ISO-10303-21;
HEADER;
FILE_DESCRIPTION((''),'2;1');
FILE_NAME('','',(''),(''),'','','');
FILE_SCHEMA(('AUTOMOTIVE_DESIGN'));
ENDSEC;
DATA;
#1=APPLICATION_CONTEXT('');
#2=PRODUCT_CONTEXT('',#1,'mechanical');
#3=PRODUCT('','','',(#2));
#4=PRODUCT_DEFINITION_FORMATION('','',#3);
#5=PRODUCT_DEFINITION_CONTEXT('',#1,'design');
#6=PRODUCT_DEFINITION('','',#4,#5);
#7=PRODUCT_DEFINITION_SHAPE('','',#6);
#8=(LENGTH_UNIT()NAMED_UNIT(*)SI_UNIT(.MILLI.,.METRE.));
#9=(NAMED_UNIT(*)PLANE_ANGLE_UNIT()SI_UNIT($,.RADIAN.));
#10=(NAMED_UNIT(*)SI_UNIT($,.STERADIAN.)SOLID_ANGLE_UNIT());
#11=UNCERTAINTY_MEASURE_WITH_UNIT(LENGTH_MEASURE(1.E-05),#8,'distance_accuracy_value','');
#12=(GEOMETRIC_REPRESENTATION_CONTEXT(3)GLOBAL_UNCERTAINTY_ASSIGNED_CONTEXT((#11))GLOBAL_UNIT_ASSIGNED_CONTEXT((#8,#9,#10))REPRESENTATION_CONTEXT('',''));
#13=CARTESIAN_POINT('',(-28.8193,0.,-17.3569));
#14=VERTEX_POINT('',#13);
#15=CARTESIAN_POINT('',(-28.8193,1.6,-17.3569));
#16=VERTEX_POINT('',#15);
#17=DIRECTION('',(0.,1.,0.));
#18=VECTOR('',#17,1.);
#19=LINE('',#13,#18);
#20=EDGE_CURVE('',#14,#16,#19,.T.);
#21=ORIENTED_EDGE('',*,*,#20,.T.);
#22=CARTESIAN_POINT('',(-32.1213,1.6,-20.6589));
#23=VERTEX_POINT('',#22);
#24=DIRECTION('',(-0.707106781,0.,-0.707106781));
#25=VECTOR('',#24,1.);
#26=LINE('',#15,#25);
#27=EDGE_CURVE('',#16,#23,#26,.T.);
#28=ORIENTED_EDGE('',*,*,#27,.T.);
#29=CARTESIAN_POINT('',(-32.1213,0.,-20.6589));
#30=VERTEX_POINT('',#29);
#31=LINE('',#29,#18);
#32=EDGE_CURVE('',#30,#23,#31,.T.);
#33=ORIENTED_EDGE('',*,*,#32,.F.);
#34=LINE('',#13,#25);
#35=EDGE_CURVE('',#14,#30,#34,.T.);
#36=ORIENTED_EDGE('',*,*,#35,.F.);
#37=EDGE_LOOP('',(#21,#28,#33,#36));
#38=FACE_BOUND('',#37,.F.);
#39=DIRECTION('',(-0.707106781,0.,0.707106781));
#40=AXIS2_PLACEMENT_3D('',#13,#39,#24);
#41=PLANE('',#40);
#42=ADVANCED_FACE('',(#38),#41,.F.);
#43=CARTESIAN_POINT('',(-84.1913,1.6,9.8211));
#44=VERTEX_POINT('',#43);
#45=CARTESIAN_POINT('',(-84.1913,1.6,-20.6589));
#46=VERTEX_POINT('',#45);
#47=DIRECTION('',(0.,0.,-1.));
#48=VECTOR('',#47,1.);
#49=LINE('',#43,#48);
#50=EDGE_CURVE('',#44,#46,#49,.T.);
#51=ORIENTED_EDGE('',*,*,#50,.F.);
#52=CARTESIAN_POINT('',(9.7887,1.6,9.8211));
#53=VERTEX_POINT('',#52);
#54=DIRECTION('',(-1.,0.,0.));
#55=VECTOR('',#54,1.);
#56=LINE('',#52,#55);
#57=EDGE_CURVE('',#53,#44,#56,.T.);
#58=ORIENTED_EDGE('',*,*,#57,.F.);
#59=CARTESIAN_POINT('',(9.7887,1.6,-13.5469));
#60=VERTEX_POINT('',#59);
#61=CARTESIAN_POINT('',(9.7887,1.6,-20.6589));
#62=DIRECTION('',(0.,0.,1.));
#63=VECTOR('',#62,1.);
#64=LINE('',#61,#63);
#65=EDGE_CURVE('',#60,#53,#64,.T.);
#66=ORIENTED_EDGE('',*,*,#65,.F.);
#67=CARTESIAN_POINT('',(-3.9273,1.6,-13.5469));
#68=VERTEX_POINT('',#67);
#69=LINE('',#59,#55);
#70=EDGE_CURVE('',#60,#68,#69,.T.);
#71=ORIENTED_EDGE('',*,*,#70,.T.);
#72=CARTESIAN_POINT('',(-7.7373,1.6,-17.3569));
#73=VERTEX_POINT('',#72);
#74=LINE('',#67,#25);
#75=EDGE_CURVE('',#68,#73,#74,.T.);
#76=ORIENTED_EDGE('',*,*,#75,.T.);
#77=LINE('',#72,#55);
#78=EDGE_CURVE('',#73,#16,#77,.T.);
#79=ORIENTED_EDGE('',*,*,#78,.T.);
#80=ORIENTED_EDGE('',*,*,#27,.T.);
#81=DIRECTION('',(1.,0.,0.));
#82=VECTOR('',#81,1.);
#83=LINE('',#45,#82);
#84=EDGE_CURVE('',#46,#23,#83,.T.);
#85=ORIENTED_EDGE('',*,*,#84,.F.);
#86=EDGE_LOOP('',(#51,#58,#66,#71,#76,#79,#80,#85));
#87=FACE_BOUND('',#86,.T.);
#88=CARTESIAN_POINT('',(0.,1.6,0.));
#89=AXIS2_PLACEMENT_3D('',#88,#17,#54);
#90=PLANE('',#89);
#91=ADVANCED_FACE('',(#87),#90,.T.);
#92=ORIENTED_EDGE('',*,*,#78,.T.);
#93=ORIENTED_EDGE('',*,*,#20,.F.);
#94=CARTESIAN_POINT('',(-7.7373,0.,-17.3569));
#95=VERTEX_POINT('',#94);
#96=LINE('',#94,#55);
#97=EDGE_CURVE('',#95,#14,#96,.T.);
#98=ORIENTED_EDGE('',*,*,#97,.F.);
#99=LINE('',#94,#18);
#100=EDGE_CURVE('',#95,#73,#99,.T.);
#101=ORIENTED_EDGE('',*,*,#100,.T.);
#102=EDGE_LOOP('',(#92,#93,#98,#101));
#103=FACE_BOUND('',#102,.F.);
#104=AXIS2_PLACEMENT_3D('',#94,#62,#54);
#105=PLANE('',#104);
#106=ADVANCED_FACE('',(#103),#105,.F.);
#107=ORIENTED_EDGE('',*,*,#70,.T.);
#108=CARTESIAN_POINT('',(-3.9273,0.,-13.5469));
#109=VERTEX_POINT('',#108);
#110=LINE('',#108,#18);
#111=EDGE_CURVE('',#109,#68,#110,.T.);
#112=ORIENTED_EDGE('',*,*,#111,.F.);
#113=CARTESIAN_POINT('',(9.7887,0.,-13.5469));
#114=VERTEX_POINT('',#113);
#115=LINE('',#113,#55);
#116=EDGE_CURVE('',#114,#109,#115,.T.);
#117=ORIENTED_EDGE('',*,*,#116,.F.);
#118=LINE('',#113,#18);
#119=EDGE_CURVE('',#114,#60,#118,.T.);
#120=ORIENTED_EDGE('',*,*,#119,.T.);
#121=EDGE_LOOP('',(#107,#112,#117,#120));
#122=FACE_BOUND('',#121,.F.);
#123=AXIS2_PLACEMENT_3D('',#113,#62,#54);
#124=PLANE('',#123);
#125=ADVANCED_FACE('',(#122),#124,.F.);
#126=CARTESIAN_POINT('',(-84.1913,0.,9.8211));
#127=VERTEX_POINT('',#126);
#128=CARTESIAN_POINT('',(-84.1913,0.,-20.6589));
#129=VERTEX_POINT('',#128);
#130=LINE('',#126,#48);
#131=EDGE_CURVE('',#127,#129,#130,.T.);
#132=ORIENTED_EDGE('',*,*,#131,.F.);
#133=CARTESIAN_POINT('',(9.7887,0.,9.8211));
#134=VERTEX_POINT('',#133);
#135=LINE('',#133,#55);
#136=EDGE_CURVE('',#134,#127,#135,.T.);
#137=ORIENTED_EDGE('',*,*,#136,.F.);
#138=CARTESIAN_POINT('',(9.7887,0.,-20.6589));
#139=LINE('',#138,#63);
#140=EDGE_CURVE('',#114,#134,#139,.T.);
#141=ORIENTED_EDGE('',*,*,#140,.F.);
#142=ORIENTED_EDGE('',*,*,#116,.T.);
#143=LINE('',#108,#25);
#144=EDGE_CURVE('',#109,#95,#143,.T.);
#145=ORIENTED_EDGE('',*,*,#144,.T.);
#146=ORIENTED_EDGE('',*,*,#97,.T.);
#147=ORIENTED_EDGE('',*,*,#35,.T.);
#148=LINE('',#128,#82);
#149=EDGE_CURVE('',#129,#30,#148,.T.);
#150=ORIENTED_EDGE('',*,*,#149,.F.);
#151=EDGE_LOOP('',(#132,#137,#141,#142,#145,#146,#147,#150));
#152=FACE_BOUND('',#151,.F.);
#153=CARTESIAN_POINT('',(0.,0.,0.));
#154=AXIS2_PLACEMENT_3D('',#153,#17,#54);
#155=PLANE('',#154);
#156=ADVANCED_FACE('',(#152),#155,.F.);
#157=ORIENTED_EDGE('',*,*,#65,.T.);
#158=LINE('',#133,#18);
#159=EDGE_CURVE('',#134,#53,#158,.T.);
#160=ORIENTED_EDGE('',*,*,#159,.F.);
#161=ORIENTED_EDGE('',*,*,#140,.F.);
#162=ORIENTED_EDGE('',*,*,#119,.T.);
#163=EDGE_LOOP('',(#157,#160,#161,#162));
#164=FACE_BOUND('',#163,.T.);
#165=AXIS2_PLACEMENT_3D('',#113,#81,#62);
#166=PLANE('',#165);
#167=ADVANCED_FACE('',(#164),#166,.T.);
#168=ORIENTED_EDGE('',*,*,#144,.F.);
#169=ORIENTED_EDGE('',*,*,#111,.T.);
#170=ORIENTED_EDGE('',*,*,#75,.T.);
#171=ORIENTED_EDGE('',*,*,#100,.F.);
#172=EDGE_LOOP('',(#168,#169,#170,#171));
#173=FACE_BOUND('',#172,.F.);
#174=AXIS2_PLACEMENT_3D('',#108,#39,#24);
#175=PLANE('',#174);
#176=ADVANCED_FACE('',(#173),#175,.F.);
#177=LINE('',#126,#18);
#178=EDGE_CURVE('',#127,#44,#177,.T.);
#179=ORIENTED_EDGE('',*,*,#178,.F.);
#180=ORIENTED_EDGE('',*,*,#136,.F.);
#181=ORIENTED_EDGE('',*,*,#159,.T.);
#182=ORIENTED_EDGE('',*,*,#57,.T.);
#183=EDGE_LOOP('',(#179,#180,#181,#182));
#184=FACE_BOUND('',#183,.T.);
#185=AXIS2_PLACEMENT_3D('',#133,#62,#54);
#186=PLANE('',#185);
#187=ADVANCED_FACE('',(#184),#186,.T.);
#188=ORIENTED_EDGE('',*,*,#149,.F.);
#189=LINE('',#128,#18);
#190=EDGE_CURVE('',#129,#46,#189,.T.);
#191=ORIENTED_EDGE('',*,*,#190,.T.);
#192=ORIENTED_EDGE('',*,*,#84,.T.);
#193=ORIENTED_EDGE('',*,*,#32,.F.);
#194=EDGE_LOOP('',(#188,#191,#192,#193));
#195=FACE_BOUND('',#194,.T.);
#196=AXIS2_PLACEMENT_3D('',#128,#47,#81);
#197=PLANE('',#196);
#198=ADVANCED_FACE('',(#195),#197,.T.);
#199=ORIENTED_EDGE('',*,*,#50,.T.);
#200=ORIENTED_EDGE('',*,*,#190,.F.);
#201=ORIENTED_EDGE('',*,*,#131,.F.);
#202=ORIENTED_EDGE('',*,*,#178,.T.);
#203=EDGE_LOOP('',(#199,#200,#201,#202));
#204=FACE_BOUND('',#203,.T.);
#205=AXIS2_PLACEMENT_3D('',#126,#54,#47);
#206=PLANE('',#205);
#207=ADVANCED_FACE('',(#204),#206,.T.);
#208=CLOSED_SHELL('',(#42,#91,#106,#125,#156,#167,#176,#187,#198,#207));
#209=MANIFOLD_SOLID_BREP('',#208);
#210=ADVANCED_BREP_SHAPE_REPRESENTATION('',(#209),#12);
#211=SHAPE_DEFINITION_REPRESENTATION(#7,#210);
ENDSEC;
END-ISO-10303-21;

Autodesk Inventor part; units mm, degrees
ref_plane "YZ Plane" through (0, 0, 0) normal (1, 0, 0) x (0, 1, 0)
ref_plane "XZ Plane" through (0, 0, 0) normal (0, 1, 0) x (-1, 0, 0)
ref_plane "XY Plane" through (0, 0, 0) normal (0, 0, 1) x (1, 0, 0)
sketch "Sketch1" plane through (0, 0, 0) normal (0, 1, 0) x (-1, 0, 0)
  line L0 (-9.7887, 9.8211) -> (84.1913, 9.8211)
  line L1 (84.1913, 9.8211) -> (84.1913, -20.6589)
  line L2 (84.1913, -20.6589) -> (-9.7887, -20.6589)
  line L3 (-9.7887, -20.6589) -> (-9.7887, 9.8211)
  line L4 (-9.7887, -13.5469) -> (3.9273, -13.5469)
  line L5 (3.9273, -13.5469) -> (7.7373, -17.3569)
  line L6 (7.7373, -17.3569) -> (28.8193, -17.3569)
  line L7 (28.8193, -17.3569) -> (32.1213, -20.6589)
  point P0 (0, 0)
  dimension "d0" = 93.98
  dimension "d1" = 30.48
  dimension "d4" = 45
  dimension "d5" = 21.082
  dimension "d6" = 13.716
  dimension "d7" = 45
  dimension "d8" = 23.368
  dimension "d9" = 27.178
extrude "Extrusion1" add sketch "Sketch1" along normal blind 1.6 contours L0 L1 L2 L7 L6 L5 L4 L3
properties part number "NoiseBoard"
